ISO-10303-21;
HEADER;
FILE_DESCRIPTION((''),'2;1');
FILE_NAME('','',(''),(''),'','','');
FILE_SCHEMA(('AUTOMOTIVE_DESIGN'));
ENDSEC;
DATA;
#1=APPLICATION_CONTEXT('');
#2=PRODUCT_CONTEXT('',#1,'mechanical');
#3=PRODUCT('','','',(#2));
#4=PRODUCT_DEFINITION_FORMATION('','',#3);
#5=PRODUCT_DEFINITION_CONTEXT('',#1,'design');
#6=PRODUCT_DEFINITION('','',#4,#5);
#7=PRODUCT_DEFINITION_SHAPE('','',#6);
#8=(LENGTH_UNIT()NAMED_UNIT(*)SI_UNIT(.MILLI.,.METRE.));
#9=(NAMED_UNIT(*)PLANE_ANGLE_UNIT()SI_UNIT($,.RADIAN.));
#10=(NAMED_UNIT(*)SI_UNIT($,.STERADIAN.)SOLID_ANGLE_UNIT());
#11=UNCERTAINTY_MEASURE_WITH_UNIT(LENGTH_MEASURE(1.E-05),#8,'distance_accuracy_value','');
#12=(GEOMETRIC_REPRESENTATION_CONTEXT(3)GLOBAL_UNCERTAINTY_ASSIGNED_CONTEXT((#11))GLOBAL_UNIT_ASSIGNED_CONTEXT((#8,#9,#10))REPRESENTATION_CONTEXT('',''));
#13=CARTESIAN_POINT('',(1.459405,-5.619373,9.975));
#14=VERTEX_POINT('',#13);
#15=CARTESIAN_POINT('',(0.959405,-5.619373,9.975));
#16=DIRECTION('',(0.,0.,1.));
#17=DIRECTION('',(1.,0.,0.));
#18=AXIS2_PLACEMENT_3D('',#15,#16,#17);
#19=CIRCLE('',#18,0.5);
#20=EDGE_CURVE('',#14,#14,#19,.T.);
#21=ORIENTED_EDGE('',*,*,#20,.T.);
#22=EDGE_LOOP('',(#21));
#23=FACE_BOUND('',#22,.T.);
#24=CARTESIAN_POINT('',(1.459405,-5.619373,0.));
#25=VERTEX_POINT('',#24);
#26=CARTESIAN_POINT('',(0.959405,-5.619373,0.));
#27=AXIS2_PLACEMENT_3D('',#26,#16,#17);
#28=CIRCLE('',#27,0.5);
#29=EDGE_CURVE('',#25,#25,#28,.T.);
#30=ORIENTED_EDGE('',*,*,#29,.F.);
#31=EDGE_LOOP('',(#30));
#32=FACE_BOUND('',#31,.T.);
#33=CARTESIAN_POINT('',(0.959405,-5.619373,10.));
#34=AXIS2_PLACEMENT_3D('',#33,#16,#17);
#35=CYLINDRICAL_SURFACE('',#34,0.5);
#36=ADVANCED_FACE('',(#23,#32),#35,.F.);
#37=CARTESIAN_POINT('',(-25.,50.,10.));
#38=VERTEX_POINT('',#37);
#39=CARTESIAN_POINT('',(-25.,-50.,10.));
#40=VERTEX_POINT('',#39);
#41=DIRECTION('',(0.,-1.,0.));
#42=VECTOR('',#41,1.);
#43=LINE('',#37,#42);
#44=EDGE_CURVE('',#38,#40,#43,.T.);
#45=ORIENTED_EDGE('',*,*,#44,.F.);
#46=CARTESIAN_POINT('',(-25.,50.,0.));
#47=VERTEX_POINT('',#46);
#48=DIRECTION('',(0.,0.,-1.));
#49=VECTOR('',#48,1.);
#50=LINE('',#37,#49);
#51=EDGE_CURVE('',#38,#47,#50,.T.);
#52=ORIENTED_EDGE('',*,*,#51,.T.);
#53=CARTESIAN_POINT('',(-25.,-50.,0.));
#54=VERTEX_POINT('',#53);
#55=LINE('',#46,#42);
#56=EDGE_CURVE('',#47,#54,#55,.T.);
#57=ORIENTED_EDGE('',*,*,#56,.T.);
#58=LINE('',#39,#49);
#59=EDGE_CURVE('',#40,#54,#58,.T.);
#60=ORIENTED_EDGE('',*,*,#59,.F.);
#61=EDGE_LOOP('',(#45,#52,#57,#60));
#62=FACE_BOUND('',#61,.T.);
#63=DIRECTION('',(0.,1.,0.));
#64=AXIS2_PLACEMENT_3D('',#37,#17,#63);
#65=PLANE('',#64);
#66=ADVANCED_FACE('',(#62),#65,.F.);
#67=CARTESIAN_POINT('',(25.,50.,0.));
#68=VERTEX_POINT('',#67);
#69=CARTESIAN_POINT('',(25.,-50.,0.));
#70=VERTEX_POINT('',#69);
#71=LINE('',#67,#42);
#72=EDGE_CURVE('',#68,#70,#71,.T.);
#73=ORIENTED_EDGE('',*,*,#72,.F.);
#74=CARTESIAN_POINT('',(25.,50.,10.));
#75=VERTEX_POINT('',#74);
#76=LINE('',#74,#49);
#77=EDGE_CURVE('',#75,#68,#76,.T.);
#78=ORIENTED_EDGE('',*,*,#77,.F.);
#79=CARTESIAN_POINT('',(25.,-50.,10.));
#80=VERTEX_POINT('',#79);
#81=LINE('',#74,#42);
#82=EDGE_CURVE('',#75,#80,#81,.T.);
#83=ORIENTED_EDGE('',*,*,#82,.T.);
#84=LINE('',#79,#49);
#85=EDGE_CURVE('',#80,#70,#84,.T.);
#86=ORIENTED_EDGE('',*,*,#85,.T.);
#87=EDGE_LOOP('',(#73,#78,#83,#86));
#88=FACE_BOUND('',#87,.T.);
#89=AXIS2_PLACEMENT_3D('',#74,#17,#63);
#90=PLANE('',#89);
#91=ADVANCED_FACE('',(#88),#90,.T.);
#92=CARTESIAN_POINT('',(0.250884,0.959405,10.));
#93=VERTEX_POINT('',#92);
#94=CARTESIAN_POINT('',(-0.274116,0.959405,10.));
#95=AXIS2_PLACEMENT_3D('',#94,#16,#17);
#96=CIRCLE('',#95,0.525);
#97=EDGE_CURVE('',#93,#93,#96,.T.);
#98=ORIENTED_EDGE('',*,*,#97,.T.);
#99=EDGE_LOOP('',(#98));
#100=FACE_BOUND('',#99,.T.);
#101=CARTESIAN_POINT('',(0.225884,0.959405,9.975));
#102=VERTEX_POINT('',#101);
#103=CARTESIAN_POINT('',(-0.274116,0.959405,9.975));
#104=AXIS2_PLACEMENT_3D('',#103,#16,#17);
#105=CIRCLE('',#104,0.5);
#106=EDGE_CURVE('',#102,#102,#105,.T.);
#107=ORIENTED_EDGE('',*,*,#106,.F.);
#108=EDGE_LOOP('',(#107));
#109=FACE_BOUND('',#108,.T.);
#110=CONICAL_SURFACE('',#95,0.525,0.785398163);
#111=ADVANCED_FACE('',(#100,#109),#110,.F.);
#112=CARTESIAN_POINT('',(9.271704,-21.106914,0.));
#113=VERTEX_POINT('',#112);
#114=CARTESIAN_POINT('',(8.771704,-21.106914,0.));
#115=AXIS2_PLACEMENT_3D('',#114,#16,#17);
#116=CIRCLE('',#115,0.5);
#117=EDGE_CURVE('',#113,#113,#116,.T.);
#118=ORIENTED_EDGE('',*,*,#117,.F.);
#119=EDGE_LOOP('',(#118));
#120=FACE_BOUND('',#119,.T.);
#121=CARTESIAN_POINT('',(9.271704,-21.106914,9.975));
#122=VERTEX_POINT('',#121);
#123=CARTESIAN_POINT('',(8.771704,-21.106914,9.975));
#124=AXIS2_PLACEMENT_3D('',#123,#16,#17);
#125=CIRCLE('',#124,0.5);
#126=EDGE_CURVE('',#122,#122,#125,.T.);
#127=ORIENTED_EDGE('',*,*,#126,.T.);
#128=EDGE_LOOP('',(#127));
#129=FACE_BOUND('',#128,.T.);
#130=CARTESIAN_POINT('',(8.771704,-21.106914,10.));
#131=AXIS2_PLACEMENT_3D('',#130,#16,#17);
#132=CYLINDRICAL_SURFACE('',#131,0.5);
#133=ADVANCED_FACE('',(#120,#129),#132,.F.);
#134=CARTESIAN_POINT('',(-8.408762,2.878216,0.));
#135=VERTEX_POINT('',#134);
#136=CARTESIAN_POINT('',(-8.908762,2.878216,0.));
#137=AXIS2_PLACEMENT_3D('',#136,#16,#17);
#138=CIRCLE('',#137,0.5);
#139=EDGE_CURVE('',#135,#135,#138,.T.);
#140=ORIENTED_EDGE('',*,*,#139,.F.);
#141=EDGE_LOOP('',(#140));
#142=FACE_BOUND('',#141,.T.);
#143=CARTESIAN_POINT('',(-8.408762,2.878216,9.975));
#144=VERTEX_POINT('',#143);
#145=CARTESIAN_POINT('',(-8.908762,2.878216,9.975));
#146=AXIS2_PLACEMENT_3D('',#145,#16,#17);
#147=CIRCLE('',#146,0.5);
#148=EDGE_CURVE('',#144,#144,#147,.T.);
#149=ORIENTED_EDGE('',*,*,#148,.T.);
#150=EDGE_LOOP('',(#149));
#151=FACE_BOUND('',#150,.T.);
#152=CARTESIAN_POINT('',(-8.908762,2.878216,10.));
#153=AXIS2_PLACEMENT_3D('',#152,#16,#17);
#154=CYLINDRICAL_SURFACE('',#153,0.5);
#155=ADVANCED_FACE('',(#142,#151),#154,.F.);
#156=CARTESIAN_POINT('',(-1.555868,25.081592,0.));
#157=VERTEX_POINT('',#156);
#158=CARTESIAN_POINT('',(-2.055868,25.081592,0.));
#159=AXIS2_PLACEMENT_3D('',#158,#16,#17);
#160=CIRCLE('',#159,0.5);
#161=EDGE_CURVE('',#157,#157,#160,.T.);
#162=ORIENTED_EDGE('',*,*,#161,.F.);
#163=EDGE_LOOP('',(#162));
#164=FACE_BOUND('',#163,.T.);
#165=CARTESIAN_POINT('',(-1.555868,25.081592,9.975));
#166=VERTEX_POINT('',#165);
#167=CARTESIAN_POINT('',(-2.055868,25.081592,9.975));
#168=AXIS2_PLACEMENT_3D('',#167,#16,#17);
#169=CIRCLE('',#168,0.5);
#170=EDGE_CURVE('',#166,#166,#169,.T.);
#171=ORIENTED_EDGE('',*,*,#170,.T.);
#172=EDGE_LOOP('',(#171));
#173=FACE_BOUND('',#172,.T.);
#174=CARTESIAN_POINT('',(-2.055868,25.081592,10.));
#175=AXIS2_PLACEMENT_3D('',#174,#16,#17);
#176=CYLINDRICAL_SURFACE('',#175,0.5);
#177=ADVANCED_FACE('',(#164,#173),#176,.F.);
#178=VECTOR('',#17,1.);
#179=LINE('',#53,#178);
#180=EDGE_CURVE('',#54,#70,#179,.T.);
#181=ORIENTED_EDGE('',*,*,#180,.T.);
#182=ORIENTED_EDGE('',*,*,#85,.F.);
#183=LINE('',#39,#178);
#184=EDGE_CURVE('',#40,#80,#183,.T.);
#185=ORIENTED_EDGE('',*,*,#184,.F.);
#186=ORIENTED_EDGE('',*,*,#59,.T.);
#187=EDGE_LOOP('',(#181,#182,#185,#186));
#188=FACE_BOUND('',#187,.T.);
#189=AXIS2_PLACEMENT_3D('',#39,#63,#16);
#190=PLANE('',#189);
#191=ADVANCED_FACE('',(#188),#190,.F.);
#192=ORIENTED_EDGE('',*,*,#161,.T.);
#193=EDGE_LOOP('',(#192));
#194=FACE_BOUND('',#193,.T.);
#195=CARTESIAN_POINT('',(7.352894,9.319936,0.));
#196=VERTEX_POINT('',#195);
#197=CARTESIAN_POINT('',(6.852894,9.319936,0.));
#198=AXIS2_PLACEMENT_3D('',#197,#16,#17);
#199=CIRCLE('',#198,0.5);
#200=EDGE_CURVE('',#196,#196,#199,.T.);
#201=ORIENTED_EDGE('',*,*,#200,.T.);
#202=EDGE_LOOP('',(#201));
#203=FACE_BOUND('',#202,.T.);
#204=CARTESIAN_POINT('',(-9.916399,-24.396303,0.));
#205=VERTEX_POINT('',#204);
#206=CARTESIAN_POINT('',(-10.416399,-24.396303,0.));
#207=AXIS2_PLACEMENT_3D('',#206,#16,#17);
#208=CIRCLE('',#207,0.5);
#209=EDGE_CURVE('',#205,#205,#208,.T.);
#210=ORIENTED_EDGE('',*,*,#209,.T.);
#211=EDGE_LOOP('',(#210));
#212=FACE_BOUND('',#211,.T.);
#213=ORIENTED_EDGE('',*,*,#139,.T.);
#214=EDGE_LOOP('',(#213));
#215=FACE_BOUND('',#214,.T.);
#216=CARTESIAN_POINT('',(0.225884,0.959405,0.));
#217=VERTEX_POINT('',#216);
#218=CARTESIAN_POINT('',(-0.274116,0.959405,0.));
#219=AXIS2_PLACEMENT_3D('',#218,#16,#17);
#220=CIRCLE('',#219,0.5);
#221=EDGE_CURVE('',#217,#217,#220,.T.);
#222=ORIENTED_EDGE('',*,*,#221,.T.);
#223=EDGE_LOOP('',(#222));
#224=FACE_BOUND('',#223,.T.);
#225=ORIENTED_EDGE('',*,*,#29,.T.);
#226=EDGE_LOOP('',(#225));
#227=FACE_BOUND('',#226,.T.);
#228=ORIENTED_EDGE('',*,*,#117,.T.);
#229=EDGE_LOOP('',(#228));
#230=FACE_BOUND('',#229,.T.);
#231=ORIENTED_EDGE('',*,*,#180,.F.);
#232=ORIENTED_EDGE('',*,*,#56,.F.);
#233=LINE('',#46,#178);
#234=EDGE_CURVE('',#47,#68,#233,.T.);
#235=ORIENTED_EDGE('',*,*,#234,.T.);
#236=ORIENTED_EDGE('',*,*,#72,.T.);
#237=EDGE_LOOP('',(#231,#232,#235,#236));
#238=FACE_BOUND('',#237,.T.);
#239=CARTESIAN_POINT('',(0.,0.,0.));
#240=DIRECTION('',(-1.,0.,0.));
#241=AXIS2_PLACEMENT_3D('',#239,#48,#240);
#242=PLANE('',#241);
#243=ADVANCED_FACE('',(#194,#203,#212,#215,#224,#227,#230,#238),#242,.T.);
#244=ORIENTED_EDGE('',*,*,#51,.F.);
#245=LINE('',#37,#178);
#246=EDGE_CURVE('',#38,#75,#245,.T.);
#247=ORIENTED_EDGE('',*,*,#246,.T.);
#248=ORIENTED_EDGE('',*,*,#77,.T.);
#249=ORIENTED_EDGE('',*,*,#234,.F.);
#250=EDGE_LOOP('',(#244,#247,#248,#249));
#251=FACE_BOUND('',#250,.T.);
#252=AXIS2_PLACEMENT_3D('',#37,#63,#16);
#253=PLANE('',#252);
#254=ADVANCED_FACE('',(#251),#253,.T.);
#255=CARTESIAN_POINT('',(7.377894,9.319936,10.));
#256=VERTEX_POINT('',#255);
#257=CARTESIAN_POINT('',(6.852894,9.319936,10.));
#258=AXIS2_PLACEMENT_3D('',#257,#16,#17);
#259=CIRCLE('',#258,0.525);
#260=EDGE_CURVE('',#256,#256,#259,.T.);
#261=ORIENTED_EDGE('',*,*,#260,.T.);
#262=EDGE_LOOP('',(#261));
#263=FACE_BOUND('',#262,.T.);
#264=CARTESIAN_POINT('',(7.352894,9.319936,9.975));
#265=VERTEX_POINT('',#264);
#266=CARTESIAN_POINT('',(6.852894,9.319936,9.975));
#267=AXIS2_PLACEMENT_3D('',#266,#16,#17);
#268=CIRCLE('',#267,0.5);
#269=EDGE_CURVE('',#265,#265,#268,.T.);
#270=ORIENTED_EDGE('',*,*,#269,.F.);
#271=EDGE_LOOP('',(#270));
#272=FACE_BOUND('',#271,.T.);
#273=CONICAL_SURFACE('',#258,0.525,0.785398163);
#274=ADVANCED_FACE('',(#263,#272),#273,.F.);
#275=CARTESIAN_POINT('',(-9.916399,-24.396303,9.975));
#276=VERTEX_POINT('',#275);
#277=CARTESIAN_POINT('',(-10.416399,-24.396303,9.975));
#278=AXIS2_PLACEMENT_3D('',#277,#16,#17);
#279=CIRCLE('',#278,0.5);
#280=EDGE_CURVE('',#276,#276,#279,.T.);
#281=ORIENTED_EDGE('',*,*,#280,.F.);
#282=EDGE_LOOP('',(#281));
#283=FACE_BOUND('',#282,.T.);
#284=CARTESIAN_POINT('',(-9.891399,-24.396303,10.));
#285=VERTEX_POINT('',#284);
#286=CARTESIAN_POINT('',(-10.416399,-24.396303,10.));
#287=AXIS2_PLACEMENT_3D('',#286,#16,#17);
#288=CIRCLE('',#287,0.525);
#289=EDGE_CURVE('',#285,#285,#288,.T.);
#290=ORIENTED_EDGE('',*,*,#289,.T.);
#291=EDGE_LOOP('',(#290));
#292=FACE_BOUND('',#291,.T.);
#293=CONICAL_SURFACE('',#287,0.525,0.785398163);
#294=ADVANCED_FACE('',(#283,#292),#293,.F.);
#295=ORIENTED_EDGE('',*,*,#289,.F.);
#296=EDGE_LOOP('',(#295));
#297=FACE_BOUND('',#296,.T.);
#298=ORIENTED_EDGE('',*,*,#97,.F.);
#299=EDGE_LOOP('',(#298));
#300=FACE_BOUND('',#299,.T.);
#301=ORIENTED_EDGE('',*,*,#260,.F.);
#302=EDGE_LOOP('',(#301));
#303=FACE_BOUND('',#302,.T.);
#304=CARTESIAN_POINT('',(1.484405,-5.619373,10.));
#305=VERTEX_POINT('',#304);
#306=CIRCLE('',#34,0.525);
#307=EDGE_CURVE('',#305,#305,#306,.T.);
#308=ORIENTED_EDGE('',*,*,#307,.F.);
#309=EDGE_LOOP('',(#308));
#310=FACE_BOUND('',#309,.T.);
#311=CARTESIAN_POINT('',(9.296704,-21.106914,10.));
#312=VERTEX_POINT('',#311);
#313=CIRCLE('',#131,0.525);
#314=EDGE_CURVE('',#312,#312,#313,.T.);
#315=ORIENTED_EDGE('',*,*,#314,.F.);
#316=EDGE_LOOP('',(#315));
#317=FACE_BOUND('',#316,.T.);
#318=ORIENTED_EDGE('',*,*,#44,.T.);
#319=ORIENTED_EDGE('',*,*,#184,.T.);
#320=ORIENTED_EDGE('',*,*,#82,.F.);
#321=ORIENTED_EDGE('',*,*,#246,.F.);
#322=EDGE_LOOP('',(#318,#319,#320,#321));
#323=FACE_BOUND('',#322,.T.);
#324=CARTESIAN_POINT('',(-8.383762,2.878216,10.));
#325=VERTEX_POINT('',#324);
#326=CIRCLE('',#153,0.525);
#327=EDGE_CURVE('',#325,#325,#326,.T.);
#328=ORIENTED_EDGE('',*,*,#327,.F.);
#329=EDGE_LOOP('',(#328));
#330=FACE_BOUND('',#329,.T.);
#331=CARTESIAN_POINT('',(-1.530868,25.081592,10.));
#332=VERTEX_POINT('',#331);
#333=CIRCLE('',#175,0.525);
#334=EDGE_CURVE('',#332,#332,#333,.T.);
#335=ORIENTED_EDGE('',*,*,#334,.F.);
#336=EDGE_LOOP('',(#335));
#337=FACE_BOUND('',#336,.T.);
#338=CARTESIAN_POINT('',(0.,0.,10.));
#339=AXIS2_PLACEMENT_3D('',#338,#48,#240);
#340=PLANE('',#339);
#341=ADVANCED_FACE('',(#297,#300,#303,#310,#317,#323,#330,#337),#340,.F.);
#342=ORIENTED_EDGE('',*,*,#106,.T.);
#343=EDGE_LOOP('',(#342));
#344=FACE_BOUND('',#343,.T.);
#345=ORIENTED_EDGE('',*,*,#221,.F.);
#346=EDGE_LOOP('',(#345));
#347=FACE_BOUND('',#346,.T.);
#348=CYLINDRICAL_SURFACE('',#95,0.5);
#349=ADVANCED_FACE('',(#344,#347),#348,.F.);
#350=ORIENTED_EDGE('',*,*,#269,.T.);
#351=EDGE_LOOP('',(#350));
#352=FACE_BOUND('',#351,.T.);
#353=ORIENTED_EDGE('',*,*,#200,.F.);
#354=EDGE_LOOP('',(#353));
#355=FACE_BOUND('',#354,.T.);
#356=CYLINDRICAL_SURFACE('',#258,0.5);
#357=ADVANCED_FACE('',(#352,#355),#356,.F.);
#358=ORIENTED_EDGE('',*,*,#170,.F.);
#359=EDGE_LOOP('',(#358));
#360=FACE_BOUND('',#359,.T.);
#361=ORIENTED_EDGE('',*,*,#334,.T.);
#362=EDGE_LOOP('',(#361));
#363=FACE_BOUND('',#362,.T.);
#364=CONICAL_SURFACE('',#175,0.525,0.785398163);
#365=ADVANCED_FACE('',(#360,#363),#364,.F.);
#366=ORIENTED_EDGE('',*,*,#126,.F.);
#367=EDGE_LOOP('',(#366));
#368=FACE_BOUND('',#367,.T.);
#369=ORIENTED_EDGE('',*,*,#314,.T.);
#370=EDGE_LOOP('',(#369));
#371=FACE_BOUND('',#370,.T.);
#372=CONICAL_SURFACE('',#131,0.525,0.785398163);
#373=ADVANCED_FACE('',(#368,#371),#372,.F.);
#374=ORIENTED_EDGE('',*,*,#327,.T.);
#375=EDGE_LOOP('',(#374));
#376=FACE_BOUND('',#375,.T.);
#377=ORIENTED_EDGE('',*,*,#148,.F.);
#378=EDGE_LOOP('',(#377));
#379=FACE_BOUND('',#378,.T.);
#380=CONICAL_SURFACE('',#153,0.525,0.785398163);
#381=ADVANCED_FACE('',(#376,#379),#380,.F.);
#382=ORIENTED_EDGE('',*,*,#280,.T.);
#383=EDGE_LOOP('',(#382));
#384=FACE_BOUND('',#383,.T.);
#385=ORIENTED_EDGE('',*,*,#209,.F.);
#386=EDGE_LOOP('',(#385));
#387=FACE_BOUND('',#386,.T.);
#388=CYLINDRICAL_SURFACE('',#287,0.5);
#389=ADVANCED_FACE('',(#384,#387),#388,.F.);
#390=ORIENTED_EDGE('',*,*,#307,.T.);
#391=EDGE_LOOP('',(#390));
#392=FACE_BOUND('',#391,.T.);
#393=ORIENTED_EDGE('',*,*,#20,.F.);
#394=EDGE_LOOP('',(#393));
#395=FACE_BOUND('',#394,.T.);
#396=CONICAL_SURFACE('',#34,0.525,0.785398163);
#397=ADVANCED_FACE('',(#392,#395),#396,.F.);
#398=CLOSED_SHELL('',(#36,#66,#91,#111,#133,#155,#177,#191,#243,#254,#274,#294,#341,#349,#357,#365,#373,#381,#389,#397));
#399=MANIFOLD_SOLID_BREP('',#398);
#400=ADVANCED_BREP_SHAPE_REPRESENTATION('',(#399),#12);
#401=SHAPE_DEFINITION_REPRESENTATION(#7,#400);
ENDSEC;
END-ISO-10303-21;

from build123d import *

# Parameters (mm, degrees)
SKETCH1_W                          = 50
SKETCH1_H                          = 100
BOSS_EXTRUDE1_DEPTH                = 10
F_1_0_1_DIAMETER_HOLE1_D           = 1
F_1_0_1_DIAMETER_HOLE1_CSINK_D     = 1.05
F_1_0_1_DIAMETER_HOLE1_CSINK_ANGLE = 90


with BuildPart() as part:
    # Sketch1 → Boss-Extrude1 (new body)
    with BuildSketch(Plane.XY):
        Rectangle(SKETCH1_W, SKETCH1_H)
    extrude(amount=BOSS_EXTRUDE1_DEPTH)

    # Ø1.0 (1) Diameter Hole1 (through all)
    with Locations(Plane(origin=(-10.416398975, -24.396302864, 10), x_dir=(1, 0, 0), z_dir=(0, 0, 1))):
        with Locations((0, 0), (10.142283212, 25.355708033), (11.375804144, 18.776929732), (1.507636693, 27.27451837), (17.269293038, 33.716238789), (8.360530756, 49.477895134), (19.188103375, 3.289389151)):
            CounterSinkHole(F_1_0_1_DIAMETER_HOLE1_D / 2, F_1_0_1_DIAMETER_HOLE1_CSINK_D / 2, counter_sink_angle=F_1_0_1_DIAMETER_HOLE1_CSINK_ANGLE)


solid = part.part
